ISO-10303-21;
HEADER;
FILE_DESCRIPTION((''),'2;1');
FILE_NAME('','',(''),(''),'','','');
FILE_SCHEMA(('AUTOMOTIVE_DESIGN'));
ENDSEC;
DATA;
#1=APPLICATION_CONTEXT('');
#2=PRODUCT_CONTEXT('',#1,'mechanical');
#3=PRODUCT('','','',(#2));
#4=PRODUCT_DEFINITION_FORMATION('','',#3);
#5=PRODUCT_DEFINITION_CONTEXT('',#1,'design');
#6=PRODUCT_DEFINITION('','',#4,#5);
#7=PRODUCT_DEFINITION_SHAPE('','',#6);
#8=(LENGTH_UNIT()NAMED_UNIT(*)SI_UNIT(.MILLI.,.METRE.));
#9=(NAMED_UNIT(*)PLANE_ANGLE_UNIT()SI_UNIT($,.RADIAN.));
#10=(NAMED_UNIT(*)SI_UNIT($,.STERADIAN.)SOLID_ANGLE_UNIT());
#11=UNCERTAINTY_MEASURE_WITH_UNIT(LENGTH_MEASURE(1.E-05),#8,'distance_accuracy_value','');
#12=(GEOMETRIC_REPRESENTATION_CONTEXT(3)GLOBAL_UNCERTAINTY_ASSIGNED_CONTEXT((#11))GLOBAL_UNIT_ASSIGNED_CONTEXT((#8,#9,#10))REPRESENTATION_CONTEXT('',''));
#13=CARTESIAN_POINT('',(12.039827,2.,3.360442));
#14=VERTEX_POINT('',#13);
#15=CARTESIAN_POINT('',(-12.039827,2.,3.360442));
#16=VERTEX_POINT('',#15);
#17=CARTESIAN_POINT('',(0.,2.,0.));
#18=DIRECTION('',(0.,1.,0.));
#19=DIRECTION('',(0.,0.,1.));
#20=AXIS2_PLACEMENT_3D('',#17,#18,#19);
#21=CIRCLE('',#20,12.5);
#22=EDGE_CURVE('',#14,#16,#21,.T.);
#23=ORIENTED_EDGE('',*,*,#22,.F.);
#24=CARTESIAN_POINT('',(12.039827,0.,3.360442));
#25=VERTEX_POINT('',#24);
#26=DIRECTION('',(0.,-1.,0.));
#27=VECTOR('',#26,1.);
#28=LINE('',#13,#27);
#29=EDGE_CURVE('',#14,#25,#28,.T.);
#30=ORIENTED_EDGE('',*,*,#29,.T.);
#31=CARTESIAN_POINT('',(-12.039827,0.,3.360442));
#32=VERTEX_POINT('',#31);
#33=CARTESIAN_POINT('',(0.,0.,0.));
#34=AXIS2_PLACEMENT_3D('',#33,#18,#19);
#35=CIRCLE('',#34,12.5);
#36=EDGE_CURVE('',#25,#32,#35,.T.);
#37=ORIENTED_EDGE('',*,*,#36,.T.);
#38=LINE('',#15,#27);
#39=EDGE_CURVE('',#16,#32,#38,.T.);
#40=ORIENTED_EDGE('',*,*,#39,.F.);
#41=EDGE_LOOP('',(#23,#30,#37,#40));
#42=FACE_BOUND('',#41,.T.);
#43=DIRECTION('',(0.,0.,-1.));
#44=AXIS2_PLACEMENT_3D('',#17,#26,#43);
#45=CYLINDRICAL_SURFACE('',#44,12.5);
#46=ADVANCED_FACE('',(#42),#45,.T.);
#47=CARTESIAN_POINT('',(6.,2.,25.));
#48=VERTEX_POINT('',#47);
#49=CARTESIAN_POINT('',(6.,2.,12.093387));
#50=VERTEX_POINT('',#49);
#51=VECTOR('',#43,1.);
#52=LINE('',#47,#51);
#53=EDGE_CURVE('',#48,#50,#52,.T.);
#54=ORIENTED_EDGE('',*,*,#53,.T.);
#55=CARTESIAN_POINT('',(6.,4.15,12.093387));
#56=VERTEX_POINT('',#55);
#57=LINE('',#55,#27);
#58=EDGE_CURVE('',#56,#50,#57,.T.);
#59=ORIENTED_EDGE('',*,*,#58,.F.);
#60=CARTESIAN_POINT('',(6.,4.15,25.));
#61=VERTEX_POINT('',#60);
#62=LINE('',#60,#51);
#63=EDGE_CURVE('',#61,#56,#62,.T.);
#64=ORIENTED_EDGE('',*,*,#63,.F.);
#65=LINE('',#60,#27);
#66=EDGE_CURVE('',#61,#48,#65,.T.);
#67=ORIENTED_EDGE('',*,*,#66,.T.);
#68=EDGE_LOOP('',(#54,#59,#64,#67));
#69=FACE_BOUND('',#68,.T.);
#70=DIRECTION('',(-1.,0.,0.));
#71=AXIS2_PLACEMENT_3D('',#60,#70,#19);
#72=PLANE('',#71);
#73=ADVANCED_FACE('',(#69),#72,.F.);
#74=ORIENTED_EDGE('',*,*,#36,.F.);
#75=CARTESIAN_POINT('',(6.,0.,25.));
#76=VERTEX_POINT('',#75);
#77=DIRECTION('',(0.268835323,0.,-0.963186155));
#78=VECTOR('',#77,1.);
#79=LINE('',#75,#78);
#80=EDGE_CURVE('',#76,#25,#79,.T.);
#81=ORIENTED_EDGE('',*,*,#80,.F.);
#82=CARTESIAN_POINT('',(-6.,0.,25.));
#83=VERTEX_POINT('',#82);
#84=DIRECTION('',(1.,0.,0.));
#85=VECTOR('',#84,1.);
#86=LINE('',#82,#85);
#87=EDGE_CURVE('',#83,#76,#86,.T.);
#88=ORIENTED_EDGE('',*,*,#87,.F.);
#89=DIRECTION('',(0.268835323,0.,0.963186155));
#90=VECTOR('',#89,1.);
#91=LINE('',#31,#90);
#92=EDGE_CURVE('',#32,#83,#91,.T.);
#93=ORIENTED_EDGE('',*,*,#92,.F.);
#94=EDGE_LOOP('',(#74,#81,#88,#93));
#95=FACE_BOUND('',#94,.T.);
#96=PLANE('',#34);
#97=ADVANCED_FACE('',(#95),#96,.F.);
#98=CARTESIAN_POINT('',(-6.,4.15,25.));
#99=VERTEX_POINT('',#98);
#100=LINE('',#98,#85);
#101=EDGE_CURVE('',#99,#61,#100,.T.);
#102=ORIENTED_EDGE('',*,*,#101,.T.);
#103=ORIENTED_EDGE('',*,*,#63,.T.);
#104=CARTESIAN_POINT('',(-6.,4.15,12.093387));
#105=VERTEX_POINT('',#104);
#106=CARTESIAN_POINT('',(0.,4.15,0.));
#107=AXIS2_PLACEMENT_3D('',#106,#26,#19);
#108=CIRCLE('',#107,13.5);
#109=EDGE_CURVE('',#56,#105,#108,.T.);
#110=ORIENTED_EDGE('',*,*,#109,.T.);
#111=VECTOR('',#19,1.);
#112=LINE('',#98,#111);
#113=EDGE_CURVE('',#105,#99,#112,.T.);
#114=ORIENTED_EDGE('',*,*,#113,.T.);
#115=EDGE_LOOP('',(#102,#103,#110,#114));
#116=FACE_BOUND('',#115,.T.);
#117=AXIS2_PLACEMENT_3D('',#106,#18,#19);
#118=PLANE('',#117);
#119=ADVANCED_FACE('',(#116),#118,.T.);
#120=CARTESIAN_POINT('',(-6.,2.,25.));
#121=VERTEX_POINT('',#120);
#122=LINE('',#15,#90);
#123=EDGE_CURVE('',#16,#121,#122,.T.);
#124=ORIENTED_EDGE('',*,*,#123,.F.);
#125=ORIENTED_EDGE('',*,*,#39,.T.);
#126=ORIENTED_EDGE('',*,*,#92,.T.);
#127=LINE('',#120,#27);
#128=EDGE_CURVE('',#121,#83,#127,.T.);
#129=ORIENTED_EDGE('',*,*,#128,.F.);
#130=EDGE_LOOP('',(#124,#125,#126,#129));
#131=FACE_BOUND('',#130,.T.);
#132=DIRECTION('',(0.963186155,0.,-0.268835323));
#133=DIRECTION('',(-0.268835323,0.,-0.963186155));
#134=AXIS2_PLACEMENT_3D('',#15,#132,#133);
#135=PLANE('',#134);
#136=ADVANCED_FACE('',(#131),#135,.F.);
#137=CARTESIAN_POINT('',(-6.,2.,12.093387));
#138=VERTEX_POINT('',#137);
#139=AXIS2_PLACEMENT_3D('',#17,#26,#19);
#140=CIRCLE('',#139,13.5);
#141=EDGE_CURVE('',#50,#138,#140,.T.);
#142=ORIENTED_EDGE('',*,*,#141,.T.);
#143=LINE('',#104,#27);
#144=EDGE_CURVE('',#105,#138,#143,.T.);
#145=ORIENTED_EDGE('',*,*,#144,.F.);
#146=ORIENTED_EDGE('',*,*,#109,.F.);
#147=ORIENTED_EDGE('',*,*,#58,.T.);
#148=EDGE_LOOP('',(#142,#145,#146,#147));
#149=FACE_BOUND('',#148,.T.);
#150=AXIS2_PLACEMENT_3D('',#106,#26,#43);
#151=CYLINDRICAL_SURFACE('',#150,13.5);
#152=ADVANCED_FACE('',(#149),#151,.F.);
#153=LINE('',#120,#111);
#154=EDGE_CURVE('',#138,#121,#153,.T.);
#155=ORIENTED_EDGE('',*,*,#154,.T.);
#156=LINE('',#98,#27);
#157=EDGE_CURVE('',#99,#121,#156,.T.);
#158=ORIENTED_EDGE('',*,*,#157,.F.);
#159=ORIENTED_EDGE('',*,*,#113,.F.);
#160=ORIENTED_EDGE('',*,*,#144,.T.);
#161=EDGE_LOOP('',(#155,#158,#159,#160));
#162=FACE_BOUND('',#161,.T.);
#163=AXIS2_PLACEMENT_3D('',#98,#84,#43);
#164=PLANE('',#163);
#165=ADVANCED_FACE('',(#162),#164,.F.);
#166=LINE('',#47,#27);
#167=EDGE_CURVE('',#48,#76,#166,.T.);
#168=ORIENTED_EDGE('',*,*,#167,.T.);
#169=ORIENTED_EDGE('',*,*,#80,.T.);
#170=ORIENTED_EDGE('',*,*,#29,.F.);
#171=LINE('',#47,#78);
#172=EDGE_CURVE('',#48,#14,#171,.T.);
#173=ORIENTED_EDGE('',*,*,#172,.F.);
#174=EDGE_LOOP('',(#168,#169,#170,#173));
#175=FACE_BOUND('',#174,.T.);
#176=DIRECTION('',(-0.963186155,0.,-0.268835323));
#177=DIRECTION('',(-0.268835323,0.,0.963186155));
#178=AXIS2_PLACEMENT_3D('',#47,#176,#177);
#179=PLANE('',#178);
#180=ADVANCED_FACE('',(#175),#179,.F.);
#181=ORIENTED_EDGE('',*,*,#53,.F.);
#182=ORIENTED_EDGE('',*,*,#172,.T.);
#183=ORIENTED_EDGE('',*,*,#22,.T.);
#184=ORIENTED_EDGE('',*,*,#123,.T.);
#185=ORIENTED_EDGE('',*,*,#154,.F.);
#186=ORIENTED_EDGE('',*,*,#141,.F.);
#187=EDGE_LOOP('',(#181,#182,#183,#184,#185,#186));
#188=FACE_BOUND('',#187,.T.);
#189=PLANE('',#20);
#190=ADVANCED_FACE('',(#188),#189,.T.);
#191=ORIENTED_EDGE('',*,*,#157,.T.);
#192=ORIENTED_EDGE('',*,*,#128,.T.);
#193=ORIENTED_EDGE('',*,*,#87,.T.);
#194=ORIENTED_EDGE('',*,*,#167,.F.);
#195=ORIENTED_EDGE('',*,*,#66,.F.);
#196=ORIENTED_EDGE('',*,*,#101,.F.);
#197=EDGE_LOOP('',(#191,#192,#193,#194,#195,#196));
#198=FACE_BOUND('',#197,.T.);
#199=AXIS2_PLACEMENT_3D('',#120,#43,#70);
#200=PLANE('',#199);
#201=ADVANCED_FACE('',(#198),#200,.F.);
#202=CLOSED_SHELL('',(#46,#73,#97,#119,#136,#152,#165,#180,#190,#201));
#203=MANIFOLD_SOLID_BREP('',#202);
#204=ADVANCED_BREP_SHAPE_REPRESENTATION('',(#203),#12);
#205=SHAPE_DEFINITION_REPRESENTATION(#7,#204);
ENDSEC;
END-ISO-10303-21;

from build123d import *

# Parameters (mm, degrees)
BOSS_EXTRUDE1_DEPTH = 2
BOSS_EXTRUDE2_DEPTH = 2.15


with BuildPart() as part:
    # Sketch1 → Boss-Extrude1 (new body)
    with BuildSketch(Plane(origin=(0, 0, 0), x_dir=(1, 0, 0), z_dir=(0, 1, 0))):
        with BuildLine():
            Line((-12.039826938, -3.360441535), (-6, -25))
            Line((-6, -25), (6, -25))
            Line((6, -25), (12.039826938, -3.360441535))
            ThreePointArc((12.039826938, -3.360441535), (0, 12.5), (-12.039826938, -3.360441535))
        make_face()
    extrude(amount=BOSS_EXTRUDE1_DEPTH)

    # Sketch2 → Boss-Extrude2 (add)
    with BuildSketch(Plane(origin=(0, 2, 0), x_dir=(1, 0, 0), z_dir=(0, 1, 0))):
        with BuildLine():
            Line((-6, -25), (-6, -12.093386622))
            ThreePointArc((-6, -12.093386622), (0, -13.5), (6, -12.093386622))
            Line((6, -12.093386622), (6, -25))
            Line((6, -25), (-6, -25))
        make_face()
    extrude(amount=BOSS_EXTRUDE2_DEPTH)


solid = part.part
